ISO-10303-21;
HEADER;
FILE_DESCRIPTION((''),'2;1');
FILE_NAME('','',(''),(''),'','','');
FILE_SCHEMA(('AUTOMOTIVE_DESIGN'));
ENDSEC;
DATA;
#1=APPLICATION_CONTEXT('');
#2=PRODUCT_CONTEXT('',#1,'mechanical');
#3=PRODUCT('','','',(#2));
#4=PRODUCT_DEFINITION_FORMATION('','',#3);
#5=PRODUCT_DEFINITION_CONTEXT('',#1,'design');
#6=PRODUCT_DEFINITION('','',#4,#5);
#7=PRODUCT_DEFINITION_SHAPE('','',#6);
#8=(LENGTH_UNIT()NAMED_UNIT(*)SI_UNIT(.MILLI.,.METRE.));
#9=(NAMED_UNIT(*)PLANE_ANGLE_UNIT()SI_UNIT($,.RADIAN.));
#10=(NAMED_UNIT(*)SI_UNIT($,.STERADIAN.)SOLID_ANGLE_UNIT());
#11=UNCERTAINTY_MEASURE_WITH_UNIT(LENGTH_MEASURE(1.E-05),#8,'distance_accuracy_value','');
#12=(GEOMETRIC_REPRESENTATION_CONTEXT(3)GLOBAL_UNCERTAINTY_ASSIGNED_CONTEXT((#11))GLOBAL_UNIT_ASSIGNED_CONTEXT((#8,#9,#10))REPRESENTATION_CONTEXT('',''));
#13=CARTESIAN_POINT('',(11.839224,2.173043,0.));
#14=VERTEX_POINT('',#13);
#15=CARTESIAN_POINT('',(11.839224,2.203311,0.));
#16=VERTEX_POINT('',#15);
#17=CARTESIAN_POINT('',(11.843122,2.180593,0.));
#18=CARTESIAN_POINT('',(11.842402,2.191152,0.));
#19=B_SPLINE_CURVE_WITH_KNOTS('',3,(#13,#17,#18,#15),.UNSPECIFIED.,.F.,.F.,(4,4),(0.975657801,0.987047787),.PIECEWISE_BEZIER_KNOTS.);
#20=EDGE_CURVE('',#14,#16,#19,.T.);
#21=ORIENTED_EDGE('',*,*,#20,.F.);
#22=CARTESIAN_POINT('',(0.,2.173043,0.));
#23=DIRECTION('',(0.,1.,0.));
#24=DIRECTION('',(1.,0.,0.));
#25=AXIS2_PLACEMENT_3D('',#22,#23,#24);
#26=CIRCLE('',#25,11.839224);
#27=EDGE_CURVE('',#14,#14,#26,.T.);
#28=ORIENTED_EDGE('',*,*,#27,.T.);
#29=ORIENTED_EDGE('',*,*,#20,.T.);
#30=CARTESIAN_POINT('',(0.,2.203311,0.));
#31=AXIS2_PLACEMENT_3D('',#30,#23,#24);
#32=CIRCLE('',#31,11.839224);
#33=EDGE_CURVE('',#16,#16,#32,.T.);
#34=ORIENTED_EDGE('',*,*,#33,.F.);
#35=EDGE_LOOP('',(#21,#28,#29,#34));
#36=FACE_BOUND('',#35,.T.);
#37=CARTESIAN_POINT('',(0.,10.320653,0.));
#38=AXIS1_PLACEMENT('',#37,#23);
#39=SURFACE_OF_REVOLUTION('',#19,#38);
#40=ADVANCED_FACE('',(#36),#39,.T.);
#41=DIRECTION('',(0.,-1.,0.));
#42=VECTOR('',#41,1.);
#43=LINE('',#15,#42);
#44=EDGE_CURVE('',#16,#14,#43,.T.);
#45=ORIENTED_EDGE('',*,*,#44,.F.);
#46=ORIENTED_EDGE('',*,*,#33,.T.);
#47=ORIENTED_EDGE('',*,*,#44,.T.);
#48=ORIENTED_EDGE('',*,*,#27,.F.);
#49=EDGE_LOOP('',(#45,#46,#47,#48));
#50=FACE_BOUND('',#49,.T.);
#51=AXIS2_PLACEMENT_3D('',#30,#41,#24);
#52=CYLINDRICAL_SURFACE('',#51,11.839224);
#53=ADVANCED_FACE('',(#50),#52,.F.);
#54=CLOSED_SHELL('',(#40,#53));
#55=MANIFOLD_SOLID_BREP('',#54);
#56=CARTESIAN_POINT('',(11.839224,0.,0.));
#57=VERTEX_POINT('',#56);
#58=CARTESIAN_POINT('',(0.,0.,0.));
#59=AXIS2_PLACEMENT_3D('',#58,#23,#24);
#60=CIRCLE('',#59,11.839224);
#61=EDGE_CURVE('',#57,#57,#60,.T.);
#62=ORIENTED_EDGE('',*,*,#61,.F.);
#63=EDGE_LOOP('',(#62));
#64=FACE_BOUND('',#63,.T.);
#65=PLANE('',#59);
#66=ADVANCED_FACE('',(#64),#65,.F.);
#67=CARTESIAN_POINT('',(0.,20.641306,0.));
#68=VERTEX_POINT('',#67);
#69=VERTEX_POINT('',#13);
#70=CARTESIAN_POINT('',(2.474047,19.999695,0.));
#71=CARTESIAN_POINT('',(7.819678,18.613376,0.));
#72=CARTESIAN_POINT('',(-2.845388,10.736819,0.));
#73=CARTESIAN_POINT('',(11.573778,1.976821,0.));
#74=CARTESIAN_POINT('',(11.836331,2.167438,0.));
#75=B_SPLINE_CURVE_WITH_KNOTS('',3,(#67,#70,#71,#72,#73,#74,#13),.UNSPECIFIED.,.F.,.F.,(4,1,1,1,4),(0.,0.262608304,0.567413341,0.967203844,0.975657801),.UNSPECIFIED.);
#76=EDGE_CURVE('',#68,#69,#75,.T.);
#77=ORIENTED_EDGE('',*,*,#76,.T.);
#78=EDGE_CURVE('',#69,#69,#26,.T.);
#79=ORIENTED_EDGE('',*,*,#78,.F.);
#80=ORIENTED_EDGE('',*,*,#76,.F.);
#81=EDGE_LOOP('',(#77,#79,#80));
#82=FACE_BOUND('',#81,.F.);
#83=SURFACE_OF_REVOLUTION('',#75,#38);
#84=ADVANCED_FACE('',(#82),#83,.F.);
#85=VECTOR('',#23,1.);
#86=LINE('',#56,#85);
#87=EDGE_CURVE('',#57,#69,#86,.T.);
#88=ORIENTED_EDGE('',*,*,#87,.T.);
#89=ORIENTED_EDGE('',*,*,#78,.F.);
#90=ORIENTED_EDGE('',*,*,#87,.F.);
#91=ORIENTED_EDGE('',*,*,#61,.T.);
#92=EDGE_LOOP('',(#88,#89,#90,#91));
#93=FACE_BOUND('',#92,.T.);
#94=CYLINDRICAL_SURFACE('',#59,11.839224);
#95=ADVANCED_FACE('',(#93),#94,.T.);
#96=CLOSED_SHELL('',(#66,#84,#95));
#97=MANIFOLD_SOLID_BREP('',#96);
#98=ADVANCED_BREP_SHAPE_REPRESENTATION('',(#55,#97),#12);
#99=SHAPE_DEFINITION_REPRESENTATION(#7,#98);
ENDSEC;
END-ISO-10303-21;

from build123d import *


with BuildPart() as f1:
    # F0 (on Top) → F1 (revolve)
    with BuildSketch(Plane.XY):
        with BuildLine():
            Line((11.839224396, 2.203310631), (11.839224396, 2.1730426539))
            add(Edge.make_bspline(
                [(11.839224396, 2.1730426539), (11.8431220609, 2.1805933172), (11.8424018015, 2.1911517688), (11.839224396, 2.203310631)],
                knots=[0.9756578013, 0.9756578013, 0.9756578013, 0.9756578013, 0.9870477866, 0.9870477866, 0.9870477866, 0.9870477866], degree=3))
        make_face()
    revolve(axis=Axis((0, 10.3206532076, 0), (0, 1, 0)))


with BuildPart() as f1b:
    # F0 (on Top) → F1, piece 2 (revolve)
    with BuildSketch(Plane.XY):
        with BuildLine():
            Line((0, 20.6413064152), (0, 0))
            Line((0, 0), (11.839224396, 0))
            Line((11.839224396, 0), (11.839224396, 2.1730426539))
            add(Edge.make_bspline(
                [(0, 20.6413064152), (2.4740467691, 19.9996951015), (7.8196779652, 18.6133763393), (-2.8453877152, 10.7368187571), (11.5737781656, 1.9768212297), (11.8363314431, 2.1674383462), (11.839224396, 2.1730426539)],
                knots=[0, 0, 0, 0, 0.2626083039, 0.5674133405, 0.9672038444, 0.9756578013, 0.9756578013, 0.9756578013, 0.9756578013], degree=3))
        make_face()
    revolve(axis=Axis((0, 10.3206532076, 0), (0, 1, 0)))


solid = Compound([f1.part, f1b.part])
